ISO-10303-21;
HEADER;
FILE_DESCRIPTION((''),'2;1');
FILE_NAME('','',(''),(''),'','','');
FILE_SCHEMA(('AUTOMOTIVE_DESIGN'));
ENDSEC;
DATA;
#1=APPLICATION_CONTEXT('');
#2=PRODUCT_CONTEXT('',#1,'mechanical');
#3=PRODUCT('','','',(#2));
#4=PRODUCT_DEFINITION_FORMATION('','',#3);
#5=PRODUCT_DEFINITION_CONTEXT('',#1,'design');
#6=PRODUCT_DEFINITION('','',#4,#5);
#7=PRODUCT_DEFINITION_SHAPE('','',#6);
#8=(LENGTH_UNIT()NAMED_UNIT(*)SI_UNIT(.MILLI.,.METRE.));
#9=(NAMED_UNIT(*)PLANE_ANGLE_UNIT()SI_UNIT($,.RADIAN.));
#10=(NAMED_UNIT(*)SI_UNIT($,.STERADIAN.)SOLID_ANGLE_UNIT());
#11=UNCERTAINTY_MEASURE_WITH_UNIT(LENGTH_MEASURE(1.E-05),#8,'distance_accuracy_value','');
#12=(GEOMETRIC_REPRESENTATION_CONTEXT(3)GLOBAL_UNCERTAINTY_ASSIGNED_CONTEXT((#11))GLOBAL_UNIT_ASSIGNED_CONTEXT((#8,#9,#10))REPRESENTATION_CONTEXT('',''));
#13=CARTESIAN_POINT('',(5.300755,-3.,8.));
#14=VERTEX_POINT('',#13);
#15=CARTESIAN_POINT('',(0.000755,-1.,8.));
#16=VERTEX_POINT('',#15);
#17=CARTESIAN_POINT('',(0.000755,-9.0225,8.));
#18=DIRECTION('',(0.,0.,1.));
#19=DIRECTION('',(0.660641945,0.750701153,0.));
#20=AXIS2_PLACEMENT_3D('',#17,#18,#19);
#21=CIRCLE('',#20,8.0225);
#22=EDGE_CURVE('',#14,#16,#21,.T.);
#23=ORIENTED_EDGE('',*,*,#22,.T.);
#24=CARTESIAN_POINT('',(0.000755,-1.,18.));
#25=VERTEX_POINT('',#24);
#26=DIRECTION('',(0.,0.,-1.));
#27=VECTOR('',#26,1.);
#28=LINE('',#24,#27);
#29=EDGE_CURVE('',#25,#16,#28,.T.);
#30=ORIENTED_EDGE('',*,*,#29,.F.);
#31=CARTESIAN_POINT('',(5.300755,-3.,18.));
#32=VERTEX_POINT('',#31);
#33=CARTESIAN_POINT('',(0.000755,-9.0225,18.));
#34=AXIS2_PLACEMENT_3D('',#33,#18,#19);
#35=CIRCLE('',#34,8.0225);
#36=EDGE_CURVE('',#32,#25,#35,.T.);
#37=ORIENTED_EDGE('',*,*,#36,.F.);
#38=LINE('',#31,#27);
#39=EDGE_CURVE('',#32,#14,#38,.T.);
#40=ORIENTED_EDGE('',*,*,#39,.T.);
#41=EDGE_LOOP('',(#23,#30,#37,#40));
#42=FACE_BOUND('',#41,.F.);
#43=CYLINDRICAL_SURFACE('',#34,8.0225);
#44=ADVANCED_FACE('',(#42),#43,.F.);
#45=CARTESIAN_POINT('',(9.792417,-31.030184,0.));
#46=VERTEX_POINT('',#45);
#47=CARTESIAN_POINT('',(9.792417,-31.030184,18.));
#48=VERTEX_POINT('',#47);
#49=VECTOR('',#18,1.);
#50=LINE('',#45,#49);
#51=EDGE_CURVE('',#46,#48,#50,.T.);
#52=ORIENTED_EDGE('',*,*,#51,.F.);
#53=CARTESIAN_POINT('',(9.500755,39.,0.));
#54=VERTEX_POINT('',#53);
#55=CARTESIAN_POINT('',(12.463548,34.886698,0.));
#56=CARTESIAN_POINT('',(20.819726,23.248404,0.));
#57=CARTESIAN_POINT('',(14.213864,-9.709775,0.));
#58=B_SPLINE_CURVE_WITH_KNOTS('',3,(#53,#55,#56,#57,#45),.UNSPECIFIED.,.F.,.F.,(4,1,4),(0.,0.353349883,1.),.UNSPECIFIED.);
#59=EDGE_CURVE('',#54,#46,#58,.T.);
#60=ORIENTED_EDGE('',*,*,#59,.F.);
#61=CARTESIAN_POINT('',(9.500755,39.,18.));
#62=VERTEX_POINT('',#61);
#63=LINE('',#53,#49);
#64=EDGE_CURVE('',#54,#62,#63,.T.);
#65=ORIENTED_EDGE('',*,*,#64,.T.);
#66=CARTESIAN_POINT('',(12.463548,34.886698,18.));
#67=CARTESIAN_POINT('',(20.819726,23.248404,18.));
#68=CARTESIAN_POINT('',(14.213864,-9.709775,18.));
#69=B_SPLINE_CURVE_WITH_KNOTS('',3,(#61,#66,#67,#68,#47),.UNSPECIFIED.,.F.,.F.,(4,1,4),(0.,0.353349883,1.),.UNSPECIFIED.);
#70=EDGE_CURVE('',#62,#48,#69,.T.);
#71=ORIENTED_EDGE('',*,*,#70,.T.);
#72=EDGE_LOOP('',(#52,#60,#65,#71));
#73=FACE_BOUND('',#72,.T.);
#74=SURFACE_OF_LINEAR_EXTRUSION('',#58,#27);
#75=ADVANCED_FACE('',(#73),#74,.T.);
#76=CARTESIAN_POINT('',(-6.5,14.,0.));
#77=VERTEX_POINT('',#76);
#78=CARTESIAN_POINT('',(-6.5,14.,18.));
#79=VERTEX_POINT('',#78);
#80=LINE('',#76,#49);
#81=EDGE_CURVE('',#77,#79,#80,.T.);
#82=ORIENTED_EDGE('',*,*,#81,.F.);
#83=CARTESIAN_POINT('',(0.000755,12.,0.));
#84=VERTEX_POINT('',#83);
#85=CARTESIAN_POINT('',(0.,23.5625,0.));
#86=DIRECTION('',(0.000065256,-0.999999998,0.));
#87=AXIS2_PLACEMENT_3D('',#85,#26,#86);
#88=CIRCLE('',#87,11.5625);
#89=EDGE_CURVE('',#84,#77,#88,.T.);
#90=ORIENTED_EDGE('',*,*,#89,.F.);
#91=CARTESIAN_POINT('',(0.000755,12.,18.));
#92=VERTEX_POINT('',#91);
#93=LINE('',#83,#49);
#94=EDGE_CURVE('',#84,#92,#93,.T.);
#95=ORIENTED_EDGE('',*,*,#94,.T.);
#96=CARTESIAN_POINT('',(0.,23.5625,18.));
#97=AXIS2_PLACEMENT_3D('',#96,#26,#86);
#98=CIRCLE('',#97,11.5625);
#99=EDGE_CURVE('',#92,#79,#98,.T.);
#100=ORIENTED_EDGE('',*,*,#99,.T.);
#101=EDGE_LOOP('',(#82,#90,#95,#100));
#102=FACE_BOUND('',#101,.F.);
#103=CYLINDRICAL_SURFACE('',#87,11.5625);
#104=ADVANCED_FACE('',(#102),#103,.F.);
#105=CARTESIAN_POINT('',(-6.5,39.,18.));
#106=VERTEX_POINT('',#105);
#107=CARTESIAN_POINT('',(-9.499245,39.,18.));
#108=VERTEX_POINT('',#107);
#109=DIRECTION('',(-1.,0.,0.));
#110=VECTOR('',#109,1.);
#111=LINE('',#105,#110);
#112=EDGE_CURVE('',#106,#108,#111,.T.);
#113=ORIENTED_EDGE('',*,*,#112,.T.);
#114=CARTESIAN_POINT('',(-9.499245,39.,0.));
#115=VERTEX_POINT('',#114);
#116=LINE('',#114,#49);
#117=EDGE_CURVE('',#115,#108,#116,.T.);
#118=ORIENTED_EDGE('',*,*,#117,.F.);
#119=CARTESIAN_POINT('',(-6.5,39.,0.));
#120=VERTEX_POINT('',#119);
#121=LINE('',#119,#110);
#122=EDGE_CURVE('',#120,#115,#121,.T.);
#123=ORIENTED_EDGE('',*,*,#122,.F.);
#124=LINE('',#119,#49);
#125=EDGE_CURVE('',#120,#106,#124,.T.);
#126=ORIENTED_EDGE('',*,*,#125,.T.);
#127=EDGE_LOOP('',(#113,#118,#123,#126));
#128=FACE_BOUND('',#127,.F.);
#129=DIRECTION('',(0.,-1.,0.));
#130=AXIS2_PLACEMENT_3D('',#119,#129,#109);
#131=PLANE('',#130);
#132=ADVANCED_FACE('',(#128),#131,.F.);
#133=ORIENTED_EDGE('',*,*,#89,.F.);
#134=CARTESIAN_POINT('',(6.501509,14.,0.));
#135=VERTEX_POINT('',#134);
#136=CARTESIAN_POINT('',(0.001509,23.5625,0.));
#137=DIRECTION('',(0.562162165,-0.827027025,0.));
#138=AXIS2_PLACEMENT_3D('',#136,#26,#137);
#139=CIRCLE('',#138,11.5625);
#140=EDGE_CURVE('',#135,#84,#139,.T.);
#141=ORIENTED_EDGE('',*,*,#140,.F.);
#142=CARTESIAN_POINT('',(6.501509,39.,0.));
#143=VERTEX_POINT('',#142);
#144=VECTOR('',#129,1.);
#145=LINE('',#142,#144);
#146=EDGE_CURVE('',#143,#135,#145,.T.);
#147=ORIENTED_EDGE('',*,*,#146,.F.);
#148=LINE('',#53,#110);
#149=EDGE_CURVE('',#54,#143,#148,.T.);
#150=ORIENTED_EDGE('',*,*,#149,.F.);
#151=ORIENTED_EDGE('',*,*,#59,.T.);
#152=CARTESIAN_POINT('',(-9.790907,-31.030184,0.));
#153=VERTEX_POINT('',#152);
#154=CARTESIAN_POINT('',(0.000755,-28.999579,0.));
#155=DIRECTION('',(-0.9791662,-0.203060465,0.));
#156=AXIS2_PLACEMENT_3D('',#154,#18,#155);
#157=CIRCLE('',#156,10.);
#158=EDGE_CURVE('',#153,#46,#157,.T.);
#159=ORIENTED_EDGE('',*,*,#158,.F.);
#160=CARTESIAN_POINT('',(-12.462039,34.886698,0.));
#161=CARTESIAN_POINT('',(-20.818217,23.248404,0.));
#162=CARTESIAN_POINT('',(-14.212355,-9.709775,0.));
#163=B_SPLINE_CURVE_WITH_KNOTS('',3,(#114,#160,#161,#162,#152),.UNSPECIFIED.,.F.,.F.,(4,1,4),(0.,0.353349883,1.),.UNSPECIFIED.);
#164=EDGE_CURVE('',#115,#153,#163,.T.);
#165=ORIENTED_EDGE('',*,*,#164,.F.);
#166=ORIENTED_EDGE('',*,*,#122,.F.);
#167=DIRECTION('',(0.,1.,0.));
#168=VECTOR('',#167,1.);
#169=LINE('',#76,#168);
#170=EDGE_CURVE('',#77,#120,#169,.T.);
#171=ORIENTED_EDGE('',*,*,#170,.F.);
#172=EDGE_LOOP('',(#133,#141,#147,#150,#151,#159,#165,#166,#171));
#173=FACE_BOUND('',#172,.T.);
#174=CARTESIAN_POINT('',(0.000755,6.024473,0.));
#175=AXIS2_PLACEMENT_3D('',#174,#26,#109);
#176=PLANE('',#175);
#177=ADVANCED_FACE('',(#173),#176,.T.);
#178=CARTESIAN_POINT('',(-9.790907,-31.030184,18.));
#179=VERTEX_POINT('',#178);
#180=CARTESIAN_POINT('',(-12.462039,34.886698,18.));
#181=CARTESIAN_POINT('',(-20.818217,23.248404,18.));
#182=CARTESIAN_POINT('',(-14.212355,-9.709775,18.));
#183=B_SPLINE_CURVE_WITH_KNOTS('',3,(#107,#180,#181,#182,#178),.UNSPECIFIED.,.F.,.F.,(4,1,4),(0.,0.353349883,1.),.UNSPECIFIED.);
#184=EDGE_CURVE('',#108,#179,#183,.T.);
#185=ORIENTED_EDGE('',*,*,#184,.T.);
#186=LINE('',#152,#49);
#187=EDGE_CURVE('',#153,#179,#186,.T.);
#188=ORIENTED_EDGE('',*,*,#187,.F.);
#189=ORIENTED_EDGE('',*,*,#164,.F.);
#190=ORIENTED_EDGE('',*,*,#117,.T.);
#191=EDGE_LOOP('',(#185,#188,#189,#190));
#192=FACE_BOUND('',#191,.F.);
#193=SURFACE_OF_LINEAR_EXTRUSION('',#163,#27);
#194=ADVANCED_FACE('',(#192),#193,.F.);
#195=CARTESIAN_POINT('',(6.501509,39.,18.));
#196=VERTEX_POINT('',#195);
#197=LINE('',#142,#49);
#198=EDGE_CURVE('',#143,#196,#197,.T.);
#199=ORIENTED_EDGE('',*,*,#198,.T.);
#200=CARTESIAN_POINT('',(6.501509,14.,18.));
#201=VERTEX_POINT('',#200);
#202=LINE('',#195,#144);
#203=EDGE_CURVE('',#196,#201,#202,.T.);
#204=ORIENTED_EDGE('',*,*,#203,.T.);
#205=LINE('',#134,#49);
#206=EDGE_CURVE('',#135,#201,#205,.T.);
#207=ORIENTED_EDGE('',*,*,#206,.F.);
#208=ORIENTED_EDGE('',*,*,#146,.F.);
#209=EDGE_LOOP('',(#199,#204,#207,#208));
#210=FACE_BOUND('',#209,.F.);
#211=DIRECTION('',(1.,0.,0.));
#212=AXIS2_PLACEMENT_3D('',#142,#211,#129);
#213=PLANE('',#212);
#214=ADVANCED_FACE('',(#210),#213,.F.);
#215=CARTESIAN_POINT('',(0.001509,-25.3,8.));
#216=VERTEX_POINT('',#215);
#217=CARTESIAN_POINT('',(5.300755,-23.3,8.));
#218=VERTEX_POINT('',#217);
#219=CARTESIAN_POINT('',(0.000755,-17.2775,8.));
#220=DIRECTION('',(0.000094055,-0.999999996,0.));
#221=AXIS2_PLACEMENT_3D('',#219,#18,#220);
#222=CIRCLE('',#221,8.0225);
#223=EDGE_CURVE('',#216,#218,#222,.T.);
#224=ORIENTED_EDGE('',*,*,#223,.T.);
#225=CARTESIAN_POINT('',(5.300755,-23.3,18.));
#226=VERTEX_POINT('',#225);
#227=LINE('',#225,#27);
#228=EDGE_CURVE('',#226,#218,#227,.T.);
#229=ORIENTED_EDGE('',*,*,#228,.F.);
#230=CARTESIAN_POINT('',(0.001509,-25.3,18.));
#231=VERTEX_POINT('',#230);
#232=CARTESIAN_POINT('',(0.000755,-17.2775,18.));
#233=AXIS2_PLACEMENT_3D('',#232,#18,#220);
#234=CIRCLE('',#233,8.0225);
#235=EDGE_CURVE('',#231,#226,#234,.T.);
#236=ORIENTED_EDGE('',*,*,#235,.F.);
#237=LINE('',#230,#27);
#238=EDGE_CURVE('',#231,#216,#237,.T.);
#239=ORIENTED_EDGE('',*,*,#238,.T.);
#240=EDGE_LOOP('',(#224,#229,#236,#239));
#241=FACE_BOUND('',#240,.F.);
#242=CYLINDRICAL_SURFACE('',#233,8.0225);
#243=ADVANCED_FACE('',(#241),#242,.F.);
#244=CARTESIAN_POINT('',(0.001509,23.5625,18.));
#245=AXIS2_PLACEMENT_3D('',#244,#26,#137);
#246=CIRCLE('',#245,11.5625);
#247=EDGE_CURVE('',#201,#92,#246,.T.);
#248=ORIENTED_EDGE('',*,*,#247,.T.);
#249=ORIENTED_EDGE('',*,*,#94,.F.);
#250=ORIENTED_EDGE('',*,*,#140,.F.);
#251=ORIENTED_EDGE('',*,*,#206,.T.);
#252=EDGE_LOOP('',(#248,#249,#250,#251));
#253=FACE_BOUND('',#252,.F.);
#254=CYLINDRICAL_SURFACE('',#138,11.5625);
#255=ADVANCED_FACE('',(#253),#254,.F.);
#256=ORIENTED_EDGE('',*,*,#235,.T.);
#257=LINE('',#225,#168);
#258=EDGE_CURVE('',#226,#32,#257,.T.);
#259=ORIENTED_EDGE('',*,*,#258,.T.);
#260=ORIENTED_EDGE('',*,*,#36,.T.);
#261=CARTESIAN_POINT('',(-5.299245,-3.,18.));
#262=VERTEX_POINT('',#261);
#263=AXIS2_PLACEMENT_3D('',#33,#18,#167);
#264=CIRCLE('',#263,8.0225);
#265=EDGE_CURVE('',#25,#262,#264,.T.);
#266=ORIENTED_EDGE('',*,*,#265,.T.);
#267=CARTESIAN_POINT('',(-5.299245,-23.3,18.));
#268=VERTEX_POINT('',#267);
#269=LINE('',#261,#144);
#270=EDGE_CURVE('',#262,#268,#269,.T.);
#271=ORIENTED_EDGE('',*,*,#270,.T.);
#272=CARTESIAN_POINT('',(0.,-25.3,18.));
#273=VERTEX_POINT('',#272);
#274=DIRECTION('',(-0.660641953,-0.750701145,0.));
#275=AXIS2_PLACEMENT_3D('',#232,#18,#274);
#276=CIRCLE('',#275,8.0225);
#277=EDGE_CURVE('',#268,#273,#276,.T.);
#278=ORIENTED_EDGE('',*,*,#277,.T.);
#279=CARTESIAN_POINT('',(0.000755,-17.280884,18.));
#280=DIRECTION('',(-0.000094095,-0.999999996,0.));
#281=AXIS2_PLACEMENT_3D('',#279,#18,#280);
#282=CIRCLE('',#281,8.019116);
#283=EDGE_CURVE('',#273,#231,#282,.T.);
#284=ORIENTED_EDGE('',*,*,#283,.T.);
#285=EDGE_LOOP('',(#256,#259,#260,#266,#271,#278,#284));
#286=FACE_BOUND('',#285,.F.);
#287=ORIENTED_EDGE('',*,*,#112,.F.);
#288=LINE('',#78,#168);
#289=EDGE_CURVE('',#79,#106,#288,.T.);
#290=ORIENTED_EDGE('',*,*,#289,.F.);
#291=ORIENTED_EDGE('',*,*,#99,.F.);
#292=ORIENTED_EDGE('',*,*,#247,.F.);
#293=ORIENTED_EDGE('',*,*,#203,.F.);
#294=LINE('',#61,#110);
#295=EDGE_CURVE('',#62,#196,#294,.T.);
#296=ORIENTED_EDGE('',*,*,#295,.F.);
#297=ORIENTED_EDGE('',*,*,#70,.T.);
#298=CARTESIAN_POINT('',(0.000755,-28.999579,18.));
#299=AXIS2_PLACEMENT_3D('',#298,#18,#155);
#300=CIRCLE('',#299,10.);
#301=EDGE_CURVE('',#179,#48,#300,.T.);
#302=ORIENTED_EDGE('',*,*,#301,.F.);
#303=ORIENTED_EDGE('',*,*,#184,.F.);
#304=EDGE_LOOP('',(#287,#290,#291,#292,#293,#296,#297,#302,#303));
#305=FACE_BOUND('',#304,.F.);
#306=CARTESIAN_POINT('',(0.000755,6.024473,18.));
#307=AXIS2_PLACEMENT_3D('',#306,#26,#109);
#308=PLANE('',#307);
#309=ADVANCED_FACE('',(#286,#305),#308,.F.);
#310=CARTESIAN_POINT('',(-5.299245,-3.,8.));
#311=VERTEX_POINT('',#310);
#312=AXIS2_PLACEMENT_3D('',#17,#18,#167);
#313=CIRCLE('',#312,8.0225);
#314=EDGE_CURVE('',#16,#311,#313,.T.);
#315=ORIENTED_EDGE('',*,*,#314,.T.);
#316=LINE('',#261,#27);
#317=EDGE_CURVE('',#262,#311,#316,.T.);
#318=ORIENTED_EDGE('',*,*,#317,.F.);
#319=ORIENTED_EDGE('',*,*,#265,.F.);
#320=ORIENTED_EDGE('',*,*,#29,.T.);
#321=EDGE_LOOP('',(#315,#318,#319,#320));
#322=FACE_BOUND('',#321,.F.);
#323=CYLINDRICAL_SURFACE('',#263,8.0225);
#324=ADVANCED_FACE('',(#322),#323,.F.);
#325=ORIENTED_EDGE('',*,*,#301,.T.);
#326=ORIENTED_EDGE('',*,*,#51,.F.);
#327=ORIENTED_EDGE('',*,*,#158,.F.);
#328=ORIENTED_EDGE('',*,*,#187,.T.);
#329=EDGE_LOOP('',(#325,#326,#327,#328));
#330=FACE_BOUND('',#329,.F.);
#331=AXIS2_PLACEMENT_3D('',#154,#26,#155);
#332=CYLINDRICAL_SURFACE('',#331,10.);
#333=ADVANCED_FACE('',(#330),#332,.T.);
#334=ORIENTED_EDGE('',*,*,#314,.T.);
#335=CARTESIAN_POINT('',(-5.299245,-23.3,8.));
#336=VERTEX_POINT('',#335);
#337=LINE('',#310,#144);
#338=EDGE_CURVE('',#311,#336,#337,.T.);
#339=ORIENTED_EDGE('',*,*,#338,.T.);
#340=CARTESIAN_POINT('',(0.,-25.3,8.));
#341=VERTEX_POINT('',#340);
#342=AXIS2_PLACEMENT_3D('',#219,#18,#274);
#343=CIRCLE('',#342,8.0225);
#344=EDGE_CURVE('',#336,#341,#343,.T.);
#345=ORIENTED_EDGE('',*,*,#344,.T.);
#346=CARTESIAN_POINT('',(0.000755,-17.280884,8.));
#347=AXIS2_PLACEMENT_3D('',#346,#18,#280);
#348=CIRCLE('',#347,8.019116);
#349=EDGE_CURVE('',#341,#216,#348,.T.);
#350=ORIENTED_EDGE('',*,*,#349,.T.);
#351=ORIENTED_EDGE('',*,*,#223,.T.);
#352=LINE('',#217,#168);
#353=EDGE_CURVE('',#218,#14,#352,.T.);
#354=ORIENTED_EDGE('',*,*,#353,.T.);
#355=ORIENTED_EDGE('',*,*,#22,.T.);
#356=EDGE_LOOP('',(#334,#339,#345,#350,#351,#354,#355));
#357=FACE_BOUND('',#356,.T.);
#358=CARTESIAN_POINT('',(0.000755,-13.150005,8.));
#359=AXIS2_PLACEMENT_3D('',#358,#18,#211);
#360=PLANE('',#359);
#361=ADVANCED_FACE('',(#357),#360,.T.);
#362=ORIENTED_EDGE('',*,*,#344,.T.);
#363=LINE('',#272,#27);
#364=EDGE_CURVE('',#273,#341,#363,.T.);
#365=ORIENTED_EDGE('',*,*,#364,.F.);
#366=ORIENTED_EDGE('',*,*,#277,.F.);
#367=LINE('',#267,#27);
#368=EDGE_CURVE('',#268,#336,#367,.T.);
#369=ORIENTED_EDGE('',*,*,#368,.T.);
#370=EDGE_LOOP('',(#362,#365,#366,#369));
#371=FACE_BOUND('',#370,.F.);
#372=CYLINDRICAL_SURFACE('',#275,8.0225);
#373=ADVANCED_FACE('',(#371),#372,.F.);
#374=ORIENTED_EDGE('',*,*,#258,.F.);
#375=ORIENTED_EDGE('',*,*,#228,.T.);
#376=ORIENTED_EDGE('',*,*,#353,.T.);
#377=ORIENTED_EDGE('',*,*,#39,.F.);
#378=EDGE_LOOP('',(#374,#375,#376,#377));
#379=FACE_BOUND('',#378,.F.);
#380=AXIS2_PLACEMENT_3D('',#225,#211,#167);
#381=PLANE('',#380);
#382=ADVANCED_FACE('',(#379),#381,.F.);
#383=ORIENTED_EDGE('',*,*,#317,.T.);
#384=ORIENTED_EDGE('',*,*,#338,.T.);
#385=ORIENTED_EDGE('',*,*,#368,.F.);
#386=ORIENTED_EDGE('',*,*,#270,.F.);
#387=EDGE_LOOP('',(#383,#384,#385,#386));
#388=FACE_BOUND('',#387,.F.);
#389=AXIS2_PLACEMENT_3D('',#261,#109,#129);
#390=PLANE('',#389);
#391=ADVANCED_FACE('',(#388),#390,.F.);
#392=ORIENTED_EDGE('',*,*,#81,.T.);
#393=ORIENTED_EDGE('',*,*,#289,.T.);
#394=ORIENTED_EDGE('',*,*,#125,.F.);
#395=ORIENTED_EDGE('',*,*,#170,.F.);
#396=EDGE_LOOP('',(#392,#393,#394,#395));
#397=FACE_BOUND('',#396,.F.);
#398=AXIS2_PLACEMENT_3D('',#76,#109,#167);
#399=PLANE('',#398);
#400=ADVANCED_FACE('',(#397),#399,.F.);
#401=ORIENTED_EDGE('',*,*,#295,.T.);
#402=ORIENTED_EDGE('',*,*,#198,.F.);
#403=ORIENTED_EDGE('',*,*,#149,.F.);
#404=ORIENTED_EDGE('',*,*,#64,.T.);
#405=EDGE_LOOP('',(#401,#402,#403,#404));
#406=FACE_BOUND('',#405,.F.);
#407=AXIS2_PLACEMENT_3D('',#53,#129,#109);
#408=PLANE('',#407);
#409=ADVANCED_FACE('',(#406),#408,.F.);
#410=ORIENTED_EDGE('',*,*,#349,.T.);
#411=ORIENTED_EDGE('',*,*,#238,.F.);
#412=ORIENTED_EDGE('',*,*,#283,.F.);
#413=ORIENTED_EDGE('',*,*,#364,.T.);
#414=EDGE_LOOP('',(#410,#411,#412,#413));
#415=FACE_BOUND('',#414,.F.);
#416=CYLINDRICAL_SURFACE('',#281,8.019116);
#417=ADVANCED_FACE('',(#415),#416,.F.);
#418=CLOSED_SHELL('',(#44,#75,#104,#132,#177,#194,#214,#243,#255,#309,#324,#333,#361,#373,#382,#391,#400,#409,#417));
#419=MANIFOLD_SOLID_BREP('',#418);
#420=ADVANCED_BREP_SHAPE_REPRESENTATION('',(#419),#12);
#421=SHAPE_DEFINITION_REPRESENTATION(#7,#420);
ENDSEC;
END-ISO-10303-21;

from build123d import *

# Parameters (mm, degrees)
F1_DEPTH = 18
F3_DEPTH = 10


with BuildPart() as f1:
    # F0 (on Top) → F1 (new body)
    with BuildSketch(Plane.XY):
        with BuildLine():
            add(Edge.make_bspline(
                [(9.5007545576, 39), (12.4635481183, 34.8866982316), (20.8197259912, 23.2484041941), (14.2138642453, -9.70977485), (9.7924165598, -31.0301836975)],
                knots=[0, 0, 0, 0, 0.3533498834, 1, 1, 1, 1], degree=3))
            Line((9.5007545576, 39), (6.5015091152, 39))
            Line((6.5015091152, 39), (6.5015091152, 14))
            ThreePointArc((6.5015091152, 14), (3.4015161475, 12.5111942523), (0.0007545576, 12))
            ThreePointArc((0.0007545576, 12), (-3.4000070322, 12.5111942523), (-6.5, 14))
            Line((-6.5, 14), (-6.5, 39))
            Line((-6.5, 39), (-9.4992454424, 39))
            add(Edge.make_bspline(
                [(-9.4992454424, 39), (-12.4620390031, 34.8866982316), (-20.818216876, 23.2484041941), (-14.2123551301, -9.70977485), (-9.7909074446, -31.0301836975)],
                knots=[0, 0, 0, 0, 0.3533498834, 1, 1, 1, 1], degree=3))
            ThreePointArc((-9.7909074446, -31.0301836975), (0.0007545576, -38.9995790498), (9.7924165598, -31.0301836975))
        make_face()
    extrude(amount=F1_DEPTH)

    # F2 (on face) → F3 (cut)
    with BuildSketch(Plane.XY.offset(18)):
        with BuildLine():
            ThreePointArc((0.0007545576, -1), (-2.83164725, -1.5166352097), (-5.2992454424, -3))
            Line((-5.2992454424, -3), (-5.2992454424, -23.3))
            ThreePointArc((-5.2992454424, -23.3), (-2.8320002359, -24.7832316067), (0, -25.3))
            ThreePointArc((0, -25.3), (0.0007545576, -25.3000000355), (0.0015091152, -25.3))
            ThreePointArc((0.0015091152, -25.3), (2.8335093511, -24.7832316067), (5.3007545576, -23.3))
            Line((5.3007545576, -23.3), (5.3007545576, -3))
            ThreePointArc((5.3007545576, -3), (2.8331563653, -1.5166352097), (0.0007545576, -1))
        make_face()
    extrude(amount=-F3_DEPTH, mode=Mode.SUBTRACT)


solid = f1.part
